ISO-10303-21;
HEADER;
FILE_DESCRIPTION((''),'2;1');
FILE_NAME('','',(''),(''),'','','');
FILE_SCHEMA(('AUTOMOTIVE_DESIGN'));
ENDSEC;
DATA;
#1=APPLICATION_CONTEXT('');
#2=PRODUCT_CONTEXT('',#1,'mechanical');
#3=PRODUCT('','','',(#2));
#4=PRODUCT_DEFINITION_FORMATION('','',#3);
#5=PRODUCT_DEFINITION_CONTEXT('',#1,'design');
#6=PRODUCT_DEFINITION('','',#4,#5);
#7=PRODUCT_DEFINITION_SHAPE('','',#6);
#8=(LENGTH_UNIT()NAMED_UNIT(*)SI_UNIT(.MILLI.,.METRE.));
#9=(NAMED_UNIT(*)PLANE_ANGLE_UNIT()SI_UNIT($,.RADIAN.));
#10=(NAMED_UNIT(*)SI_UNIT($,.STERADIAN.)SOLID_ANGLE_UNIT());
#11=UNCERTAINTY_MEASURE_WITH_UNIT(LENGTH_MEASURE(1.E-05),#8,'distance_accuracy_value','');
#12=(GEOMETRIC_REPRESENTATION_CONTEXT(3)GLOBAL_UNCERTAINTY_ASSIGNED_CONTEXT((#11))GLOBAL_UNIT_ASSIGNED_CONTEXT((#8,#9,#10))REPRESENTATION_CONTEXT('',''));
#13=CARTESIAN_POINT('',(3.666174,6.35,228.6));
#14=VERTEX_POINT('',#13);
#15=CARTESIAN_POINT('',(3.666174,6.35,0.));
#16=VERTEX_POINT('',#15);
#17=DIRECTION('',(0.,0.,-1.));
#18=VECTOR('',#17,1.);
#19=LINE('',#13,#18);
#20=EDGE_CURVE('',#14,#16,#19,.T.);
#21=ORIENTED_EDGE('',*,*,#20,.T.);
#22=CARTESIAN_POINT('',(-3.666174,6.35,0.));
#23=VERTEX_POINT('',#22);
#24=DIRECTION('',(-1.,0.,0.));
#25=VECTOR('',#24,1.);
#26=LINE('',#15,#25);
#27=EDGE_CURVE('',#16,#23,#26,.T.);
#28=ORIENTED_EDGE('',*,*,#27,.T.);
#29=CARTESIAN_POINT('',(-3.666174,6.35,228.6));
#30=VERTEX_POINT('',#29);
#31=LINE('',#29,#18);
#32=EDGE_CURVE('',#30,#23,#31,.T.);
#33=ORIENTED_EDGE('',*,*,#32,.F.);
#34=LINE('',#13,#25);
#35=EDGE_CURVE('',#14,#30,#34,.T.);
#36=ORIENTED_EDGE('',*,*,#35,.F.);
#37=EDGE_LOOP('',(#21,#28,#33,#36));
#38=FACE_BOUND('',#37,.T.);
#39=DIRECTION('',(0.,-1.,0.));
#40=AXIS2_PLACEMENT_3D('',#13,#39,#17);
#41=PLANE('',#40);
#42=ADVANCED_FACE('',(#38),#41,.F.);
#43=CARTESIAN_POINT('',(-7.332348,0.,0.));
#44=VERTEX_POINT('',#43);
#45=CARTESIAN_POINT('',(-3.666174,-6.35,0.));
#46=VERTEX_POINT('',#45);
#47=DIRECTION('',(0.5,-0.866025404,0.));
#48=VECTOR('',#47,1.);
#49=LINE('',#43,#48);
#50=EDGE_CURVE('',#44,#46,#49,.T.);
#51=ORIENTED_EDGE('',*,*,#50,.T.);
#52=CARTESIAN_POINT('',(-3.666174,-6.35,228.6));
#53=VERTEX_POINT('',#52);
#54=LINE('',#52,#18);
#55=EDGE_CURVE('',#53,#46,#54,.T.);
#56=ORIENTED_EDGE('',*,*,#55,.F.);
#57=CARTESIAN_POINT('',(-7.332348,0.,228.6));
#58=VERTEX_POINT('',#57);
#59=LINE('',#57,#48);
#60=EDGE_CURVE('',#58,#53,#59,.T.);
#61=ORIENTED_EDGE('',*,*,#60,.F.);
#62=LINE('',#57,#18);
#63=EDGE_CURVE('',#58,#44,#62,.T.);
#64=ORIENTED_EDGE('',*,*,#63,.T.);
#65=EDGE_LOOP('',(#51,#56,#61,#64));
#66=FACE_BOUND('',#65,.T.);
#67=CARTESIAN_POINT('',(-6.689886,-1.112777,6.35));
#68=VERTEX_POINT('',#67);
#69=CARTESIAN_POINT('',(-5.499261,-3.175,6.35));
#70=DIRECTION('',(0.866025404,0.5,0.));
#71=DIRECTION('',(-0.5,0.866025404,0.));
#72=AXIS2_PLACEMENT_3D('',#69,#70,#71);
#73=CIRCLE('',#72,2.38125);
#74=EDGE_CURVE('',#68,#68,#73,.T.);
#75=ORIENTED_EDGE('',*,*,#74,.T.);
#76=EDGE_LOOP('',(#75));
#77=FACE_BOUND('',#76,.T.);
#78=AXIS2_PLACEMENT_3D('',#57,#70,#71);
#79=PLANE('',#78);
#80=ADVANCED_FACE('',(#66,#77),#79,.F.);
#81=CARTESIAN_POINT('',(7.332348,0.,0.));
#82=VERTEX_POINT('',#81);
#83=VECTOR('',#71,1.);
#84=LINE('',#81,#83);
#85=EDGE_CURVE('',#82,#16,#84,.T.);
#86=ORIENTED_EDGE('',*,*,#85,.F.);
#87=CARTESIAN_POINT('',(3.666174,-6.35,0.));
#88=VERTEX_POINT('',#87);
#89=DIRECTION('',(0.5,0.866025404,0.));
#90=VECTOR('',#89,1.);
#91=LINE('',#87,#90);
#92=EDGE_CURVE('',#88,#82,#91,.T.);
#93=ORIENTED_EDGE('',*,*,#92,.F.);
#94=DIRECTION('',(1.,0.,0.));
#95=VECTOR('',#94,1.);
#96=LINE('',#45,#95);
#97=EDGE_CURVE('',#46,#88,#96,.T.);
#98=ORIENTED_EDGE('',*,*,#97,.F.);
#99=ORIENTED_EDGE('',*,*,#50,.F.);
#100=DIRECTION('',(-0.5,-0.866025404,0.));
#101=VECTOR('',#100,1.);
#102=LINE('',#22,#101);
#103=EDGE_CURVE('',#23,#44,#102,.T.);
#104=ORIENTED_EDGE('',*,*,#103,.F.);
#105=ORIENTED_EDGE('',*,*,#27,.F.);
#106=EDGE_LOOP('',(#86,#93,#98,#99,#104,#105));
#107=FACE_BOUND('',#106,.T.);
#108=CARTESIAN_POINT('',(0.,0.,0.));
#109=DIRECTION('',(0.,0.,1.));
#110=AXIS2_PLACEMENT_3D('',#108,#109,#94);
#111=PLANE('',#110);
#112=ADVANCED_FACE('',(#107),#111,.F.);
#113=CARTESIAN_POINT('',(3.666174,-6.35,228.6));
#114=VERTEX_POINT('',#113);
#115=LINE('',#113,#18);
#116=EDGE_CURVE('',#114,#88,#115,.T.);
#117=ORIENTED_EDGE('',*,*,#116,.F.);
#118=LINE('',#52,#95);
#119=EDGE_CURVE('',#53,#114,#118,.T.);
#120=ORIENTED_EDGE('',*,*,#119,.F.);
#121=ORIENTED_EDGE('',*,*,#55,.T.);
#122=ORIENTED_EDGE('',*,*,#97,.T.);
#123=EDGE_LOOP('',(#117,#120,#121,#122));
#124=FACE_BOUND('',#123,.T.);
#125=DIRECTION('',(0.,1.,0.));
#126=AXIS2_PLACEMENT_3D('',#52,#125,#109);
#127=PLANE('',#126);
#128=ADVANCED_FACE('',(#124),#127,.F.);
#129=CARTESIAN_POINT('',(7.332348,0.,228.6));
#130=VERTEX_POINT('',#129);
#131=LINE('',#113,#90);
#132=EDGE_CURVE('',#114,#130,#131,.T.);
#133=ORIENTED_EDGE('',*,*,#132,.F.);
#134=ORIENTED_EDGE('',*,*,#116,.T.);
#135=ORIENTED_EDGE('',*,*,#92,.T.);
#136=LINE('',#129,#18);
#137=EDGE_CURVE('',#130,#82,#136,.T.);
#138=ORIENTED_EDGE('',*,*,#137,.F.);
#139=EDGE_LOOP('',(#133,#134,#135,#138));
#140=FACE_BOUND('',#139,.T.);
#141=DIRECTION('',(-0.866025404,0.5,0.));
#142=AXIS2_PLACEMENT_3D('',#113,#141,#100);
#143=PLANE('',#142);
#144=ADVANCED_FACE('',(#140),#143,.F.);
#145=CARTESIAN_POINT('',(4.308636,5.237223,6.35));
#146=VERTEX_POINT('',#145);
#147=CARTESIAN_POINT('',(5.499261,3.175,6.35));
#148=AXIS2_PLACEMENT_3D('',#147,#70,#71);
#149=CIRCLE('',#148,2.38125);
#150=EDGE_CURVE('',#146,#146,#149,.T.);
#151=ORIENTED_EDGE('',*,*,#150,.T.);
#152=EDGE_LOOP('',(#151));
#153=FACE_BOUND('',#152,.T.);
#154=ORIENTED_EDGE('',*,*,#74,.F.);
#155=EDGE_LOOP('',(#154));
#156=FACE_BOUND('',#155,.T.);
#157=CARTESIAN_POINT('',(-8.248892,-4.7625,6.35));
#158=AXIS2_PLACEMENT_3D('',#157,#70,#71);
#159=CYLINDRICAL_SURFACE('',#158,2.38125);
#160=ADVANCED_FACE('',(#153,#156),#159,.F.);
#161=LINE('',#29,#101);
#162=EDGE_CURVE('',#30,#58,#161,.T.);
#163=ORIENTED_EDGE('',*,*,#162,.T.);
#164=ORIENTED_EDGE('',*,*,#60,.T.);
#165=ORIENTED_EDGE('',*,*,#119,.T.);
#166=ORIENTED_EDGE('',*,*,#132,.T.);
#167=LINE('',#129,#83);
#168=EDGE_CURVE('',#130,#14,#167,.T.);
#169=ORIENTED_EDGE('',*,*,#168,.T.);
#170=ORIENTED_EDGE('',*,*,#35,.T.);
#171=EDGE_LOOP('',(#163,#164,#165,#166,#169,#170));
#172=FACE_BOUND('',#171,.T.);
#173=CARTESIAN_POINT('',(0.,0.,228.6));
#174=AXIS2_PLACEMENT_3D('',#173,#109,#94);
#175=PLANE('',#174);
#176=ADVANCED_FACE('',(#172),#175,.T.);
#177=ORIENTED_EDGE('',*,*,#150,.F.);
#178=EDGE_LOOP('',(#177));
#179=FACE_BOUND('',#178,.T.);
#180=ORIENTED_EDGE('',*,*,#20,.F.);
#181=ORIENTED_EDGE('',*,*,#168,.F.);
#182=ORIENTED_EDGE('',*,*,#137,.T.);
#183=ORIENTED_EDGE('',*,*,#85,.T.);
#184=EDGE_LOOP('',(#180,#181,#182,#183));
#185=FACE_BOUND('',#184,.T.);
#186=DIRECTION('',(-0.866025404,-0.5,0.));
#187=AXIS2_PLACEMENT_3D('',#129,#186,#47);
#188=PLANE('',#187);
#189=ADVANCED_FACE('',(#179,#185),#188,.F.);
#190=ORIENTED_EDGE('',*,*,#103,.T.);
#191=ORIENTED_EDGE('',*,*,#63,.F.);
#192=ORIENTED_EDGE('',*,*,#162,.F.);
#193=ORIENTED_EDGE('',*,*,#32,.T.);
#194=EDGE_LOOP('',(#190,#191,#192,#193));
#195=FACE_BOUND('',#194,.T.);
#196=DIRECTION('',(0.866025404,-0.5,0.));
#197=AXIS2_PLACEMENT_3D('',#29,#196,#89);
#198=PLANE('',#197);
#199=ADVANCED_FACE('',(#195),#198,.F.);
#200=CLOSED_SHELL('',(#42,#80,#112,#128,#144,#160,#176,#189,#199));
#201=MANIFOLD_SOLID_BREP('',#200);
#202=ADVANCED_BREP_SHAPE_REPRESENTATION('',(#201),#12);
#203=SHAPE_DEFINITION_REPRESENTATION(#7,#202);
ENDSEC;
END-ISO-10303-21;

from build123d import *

# Parameters (mm, degrees)
BOSS_EXTRUDE1_DEPTH = 228.6
SKETCH2_R           = 2.38125
CUT_EXTRUDE1_DEPTH  = 16.875


with BuildPart() as part:
    # Sketch1 → Boss-Extrude1 (new body)
    with BuildSketch(Plane.XY):
        Polygon((-3.666174209, -6.35), (3.666174209, -6.35), (7.332348419, 0), (3.666174209, 6.35), (-3.666174209, 6.35), (-7.332348419, 0), align=None)
    extrude(amount=BOSS_EXTRUDE1_DEPTH)

    # Sketch2 → Cut-Extrude1 (cut, through all)
    with BuildSketch(Plane(origin=(5.499261314, 3.175, 0), x_dir=(0, 0, -1), z_dir=(0.866025404, 0.5, 0))):
        with Locations((-6.35, 0)):
            Circle(SKETCH2_R)
    extrude(amount=-CUT_EXTRUDE1_DEPTH, mode=Mode.SUBTRACT)


solid = part.part
